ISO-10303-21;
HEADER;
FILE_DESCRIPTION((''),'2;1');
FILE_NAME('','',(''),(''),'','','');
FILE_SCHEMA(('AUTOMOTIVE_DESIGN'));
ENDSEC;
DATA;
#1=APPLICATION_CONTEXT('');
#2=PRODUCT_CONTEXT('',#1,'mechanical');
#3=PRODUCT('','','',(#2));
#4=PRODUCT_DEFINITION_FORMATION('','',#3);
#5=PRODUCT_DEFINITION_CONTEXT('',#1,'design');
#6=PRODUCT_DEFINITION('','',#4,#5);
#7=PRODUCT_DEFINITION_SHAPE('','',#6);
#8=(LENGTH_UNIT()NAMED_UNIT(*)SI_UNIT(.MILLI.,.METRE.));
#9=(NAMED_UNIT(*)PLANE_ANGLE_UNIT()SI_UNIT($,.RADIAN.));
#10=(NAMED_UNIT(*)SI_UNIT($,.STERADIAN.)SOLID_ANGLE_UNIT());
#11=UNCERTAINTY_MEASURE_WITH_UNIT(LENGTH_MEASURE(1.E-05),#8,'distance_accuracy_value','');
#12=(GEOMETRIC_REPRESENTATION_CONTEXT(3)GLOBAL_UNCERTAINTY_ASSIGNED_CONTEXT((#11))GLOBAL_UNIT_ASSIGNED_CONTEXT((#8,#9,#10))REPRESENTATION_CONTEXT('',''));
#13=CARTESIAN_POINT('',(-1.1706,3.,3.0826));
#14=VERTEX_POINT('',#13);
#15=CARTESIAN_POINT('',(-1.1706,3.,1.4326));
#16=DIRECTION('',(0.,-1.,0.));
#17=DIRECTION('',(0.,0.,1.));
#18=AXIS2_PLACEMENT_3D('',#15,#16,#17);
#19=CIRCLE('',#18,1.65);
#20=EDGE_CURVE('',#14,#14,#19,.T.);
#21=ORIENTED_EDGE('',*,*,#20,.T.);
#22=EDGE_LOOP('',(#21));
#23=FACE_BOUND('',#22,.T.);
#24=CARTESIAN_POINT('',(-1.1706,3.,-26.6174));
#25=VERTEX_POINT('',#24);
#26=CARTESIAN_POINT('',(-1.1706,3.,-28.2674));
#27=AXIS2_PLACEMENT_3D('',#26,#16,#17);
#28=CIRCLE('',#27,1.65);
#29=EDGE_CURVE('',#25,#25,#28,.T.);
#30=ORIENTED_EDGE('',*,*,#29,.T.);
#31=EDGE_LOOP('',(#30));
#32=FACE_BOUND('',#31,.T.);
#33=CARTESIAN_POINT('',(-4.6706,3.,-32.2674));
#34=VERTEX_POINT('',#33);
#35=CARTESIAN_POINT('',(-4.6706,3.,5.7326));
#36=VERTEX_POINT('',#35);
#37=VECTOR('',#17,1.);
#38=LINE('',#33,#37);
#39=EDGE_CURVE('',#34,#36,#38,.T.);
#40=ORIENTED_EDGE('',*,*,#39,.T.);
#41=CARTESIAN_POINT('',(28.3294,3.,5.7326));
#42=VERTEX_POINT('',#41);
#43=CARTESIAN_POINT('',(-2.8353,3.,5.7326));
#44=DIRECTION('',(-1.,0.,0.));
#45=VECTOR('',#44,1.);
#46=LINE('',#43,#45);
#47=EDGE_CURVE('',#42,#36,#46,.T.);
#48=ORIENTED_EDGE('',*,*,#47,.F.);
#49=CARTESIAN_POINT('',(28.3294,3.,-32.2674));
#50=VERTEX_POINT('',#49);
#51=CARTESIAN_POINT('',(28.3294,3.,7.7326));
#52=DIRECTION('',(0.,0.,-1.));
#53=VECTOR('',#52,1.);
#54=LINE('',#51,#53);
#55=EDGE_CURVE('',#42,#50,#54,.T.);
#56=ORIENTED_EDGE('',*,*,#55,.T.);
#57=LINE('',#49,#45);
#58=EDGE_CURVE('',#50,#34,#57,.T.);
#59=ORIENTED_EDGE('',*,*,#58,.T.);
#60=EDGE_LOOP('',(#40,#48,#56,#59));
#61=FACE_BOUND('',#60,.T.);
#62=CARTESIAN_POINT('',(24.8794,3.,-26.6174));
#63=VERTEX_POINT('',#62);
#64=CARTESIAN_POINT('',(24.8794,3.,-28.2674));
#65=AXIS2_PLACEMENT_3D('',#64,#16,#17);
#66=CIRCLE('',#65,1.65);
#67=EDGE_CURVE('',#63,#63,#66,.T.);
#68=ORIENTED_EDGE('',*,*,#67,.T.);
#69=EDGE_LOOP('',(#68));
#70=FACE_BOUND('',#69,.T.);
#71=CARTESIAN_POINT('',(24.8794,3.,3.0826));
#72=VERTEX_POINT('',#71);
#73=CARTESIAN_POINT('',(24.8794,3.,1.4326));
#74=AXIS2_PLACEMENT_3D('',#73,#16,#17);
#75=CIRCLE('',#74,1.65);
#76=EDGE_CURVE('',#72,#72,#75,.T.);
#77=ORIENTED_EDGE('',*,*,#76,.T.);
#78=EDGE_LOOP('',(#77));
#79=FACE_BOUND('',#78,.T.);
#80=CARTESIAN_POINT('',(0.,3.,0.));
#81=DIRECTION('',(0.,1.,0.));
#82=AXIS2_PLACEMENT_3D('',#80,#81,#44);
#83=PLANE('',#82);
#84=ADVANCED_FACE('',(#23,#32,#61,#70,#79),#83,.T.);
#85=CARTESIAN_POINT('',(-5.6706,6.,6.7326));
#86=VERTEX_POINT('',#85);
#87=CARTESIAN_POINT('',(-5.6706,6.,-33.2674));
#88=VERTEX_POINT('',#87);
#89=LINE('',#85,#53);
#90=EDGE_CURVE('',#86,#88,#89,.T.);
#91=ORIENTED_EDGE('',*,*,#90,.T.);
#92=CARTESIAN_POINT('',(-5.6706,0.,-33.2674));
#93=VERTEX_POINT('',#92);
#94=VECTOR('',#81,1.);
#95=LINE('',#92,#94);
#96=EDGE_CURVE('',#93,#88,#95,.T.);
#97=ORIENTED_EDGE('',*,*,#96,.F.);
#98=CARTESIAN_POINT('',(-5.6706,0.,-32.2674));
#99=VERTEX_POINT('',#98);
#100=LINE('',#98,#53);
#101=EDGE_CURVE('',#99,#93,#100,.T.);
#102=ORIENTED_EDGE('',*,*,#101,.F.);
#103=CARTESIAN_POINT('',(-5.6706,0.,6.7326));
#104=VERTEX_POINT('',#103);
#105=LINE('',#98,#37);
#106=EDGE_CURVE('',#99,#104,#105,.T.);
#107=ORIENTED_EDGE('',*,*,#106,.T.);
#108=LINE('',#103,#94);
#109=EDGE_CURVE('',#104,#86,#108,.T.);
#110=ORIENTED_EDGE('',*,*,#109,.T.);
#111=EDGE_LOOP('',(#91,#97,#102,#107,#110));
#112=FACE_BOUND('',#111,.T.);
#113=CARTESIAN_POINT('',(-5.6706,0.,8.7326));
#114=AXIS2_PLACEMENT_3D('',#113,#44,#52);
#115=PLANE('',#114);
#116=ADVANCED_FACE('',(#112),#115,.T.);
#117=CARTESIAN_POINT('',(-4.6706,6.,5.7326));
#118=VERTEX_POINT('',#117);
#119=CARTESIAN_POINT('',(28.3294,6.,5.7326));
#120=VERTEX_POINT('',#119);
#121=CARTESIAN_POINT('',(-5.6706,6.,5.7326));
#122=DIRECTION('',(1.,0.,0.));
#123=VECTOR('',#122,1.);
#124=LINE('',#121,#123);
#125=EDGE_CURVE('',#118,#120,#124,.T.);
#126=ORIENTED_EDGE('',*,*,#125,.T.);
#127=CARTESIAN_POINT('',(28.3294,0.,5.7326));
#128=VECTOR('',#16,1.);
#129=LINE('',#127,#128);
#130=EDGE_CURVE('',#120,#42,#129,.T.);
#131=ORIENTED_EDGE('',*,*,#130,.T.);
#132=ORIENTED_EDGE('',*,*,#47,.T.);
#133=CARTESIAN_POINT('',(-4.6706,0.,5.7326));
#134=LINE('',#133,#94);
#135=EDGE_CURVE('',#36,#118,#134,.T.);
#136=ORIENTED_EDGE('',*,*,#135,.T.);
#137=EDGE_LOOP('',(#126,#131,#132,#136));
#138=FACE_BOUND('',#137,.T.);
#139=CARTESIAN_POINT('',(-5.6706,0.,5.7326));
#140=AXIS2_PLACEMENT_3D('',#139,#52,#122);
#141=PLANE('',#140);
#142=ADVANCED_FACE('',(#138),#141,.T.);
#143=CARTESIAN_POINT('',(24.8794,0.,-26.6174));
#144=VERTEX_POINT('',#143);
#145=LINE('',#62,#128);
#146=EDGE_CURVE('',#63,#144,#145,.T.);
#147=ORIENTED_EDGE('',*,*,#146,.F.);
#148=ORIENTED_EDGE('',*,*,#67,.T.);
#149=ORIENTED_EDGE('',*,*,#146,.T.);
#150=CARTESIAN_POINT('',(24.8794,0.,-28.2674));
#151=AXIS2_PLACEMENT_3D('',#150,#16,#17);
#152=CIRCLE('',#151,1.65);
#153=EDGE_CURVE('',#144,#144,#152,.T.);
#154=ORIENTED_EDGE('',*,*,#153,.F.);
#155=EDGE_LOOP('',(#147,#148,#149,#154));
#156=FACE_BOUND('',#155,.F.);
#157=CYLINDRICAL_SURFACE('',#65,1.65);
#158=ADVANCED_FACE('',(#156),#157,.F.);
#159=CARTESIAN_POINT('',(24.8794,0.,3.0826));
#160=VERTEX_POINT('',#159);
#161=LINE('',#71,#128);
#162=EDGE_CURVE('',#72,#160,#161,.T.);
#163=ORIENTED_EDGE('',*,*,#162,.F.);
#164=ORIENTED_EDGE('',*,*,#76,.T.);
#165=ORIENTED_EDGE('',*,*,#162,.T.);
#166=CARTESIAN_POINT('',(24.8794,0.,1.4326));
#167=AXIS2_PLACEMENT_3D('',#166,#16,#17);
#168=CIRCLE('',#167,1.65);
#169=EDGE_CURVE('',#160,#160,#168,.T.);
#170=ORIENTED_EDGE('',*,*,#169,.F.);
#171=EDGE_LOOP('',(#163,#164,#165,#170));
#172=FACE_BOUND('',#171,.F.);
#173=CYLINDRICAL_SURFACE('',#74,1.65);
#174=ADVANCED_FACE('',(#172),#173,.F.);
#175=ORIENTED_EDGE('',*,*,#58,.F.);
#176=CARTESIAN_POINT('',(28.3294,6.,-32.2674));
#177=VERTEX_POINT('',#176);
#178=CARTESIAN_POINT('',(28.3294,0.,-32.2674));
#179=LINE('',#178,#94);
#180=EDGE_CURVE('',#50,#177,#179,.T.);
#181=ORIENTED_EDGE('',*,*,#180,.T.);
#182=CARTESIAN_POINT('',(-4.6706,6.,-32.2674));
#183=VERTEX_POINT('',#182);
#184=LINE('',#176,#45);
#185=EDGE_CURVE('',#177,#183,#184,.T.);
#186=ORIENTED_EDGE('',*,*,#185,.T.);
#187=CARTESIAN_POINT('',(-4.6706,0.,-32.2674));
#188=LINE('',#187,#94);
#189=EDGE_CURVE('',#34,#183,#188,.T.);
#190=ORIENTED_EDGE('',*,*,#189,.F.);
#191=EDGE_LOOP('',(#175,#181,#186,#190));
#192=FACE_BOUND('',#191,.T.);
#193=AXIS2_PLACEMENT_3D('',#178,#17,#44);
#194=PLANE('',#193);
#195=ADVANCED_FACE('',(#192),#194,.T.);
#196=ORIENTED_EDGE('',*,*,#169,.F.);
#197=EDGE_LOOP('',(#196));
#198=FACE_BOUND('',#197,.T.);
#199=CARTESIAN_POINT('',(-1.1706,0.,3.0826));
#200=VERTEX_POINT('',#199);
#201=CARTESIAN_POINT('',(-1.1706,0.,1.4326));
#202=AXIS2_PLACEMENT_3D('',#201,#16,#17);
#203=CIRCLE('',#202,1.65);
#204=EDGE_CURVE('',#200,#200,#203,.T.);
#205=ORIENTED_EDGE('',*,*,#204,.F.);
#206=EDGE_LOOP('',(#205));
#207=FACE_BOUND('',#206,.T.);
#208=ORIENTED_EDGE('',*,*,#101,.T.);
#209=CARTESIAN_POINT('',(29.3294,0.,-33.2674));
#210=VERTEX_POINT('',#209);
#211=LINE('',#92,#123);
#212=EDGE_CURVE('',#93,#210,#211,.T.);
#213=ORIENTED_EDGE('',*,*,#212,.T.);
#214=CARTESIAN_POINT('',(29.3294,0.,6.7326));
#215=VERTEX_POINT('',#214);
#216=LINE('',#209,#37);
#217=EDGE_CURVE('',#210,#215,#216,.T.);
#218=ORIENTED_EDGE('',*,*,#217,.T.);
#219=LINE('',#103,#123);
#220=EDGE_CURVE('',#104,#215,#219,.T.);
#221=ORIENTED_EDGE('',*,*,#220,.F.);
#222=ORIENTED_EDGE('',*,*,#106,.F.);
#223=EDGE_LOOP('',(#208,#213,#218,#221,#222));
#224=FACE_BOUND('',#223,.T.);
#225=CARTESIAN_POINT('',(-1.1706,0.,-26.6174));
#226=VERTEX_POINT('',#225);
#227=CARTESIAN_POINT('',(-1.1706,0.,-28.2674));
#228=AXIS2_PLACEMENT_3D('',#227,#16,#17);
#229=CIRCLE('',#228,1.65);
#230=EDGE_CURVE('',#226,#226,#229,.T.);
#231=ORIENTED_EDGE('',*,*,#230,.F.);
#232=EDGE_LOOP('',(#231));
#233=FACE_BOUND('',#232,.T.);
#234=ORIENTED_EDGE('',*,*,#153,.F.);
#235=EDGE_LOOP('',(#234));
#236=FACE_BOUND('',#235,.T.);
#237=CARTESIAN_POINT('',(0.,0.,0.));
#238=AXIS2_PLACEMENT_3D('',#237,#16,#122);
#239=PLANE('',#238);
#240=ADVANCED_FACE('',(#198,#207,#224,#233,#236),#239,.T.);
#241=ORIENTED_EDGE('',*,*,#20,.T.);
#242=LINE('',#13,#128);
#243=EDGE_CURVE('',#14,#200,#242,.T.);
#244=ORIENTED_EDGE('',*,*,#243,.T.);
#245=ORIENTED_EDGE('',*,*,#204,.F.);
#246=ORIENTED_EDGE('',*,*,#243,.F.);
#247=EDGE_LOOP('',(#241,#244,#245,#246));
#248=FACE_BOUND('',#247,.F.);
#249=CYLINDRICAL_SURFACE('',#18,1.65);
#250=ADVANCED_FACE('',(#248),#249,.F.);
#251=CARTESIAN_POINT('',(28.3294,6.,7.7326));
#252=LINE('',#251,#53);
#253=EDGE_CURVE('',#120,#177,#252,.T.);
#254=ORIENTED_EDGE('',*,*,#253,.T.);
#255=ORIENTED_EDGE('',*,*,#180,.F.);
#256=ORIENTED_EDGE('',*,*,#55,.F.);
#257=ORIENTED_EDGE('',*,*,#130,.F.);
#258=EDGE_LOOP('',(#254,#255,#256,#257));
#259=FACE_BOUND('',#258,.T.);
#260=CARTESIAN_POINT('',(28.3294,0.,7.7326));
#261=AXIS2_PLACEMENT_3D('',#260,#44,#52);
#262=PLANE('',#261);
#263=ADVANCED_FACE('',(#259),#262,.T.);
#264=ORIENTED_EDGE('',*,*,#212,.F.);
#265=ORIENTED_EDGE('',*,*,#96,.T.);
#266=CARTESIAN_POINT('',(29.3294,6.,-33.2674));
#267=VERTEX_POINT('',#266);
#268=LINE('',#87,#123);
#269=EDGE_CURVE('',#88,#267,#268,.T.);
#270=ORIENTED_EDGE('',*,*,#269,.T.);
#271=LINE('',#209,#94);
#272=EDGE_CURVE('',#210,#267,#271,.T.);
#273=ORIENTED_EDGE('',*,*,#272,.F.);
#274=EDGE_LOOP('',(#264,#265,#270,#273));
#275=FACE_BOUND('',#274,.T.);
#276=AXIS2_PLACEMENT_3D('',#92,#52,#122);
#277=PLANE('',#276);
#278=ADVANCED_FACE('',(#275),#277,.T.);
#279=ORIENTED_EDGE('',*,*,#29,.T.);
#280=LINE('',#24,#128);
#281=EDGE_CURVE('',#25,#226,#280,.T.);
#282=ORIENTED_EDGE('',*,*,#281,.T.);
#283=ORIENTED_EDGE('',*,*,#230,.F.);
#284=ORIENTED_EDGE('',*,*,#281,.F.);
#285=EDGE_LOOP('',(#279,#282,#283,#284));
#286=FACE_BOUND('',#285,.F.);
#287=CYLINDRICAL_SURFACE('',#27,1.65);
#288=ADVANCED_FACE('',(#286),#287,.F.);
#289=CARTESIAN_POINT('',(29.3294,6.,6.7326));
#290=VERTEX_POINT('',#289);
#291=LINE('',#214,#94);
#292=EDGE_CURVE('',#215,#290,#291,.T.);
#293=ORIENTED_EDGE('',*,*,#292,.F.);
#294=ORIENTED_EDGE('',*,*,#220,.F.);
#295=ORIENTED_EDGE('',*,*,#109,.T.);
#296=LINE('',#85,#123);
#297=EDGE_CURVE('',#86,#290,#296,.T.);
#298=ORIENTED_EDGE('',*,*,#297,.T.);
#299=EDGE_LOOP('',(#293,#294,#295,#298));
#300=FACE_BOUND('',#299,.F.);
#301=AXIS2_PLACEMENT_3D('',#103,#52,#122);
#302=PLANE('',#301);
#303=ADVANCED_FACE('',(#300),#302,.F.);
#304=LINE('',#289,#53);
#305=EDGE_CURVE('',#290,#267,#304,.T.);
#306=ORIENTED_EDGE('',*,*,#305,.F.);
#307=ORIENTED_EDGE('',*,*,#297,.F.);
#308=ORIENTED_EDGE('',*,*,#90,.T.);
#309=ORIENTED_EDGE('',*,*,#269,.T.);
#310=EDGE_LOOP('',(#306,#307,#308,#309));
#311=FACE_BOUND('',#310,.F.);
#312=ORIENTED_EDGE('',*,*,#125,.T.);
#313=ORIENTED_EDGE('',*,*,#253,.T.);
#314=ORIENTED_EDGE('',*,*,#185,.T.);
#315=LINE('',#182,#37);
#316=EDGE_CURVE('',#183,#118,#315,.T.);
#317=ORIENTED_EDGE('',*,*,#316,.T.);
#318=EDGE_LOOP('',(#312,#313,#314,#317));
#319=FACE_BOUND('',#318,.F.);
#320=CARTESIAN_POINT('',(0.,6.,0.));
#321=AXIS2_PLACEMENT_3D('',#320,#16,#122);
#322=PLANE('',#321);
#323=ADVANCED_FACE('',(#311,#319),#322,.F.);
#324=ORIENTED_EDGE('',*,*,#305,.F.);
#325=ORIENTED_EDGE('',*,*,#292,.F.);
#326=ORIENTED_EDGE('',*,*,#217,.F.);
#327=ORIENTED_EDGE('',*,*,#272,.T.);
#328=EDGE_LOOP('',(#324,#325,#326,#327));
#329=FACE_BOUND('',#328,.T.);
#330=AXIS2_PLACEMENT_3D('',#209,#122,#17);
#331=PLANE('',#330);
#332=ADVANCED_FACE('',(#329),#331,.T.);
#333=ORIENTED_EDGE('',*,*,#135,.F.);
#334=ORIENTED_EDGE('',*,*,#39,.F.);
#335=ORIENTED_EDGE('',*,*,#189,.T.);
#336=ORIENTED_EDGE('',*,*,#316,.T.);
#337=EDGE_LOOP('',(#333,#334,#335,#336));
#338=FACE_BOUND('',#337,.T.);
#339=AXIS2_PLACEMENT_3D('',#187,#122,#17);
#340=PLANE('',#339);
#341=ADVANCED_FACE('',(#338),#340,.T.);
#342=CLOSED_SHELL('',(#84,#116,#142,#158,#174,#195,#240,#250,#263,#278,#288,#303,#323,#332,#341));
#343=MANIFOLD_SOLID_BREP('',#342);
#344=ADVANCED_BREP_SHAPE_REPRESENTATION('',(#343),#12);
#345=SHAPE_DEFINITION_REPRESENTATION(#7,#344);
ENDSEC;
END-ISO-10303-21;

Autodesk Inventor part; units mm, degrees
ref_plane "YZ Plane" through (0, 0, 0) normal (1, 0, 0) x (0, 1, 0)
ref_plane "XZ Plane" through (0, 0, 0) normal (0, 1, 0) x (-1, 0, 0)
ref_plane "XY Plane" through (0, 0, 0) normal (0, 0, 1) x (1, 0, 0)
sketch "Sketch1" plane through (0, 0, 0) normal (0, 1, 0) x (-1, 0, 0)
  line L0 (4.6706, 7.7326) -> (-28.3294, 7.7326)
  line L1 (-28.3294, 7.7326) -> (-28.3294, -32.2674)
  line L2 (-28.3294, -32.2674) -> (4.6706, -32.2674)
  line L3 (4.6706, -32.2674) -> (4.6706, 7.7326)
  point P0 (0, 0)
  dimension "d0" = 33
  dimension "d1" = 40
extrude "Extrusion1" add sketch "Sketch1" along normal blind 3
sketch "Sketch2" plane through (0, 3, 0) normal (0, 1, 0) x (1, 0, 0)
  line L0 (-4.6706, 32.2674) -> (-4.6706, -7.7326) projected
  line L1 (-4.6706, -7.7326) -> (-4.6706, -4.7326)
  line L2 (-4.6706, -4.7326) -> (-2.8206, -4.7326)
  line L3 (-2.8206, -4.7326) -> (-2.8206, 28.2674)
  line L4 (-2.8206, 28.2674) -> (26.4794, 28.2674)
  line L5 (26.4794, 28.2674) -> (26.4794, -4.7326)
  line L6 (-2.8206, -4.7326) -> (-1.1706, -4.7326)
  line L7 (26.4794, -4.7326) -> (24.8794, -4.7326)
  line L8 (24.8794, -4.7326) -> (24.8794, 28.2674)
  line L9 (-2.8206, 28.2674) -> (-1.1706, 28.2674)
  line L10 (-1.1706, -4.7326) -> (-1.1706, -1.4326)
  line L11 (-1.1706, -1.4326) -> (24.8794, -1.4326)
  point P0 (0, 0)
  dimension "d4" = 3
  dimension "d5" = 1.85
  dimension "d6" = 90
  dimension "d7" = 33
  dimension "d8" = 29.3
  dimension "d9" = 1.65
  dimension "d10" = 1.6
  dimension "d11" = 1.65
  dimension "d26" = 3.3
hole "Hole1" at (-1.1706, 3, 1.4326) at (24.8794, 3, 1.4326) at (24.8794, 3, -28.2674) at (-1.1706, 3, -28.2674) direction (0, -1, 0) diameter 3.3 end through all
sketch "Sketch3" plane through (0, 0, 0) normal (0, -1, 0) x (1, 0, 0)
  line L0 (28.3294, -32.2674) -> (-4.6706, -32.2674) projected
  line L1 (-4.6706, -32.2674) -> (-5.6706, -32.2674)
  line L2 (-5.6706, -32.2674) -> (-5.6706, -33.2674)
  line L3 (-5.6706, -33.2674) -> (29.3294, -33.2674)
  line L4 (29.3294, -33.2674) -> (29.3294, 8.7326)
  line L5 (28.3294, 7.7326) -> (28.3294, -32.2674) projected
  line L6 (29.3294, 8.7326) -> (-5.6706, 8.7326)
  line L7 (-5.6706, 8.7326) -> (-5.6706, -32.2674)
  circle A0 centre (24.8794, -28.2674) radius 1.65 projected
  circle A1 centre (-1.1706, -28.2674) radius 1.65 projected
  line L8 (-4.6706, 7.7326) -> (28.3294, 7.7326) projected
  line L9 (-4.6706, -32.2674) -> (-4.6706, 7.7326) projected
  line L10 (28.3294, -32.2674) -> (-4.6706, -32.2674) projected
  line L11 (28.3294, 7.7326) -> (28.3294, -32.2674) projected
  point P0 (0, 0)
  dimension "d19" = 1
  dimension "d20" = 1
  dimension "d21" = 35
  dimension "d22" = 42
  dimension "d23" = 90
extrude "Extrusion2" add sketch "Sketch3" against normal blind 6 contours L7 L6 L4 L3 L2
sketch "Sketch4" plane through (-5.6706, 0, 8.7326) normal (0, 0, 1) x (1, 0, 0)
  point P0 (5.6706, 0)
sketch "Sketch5" plane through (0, 0, 0) normal (0, -1, 0) x (1, 0, 0)
  line L0 (-5.6706, -33.2674) -> (-5.6706, 8.7326) projected
  line L1 (-5.6706, 8.7326) -> (-5.6706, 5.7326)
  line L2 (-5.6706, 5.7326) -> (29.3294, 5.7326)
  line L3 (29.3294, -33.2674) -> (29.3294, 8.7326) projected
  line L4 (29.3294, 8.7326) -> (-5.6706, 8.7326)
  line L5 (-5.6706, 5.7326) -> (-5.6706, 6.7326)
  line L6 (-5.6706, 6.7326) -> (29.3294, 6.7326)
  line L7 (28.3294, 7.7326) -> (-4.6706, 7.7326) projected
  line L8 (29.3294, 6.7326) -> (29.3294, 5.7326)
  point P0 (0, 0)
  dimension "d27" = 3
  dimension "d28" = 1
extrude "Extrusion3" cut sketch "Sketch5" against normal blind 10 contours L0 L4 L3 L6
extrude "Extrusion4" add sketch "Sketch5" against normal blind 6 contours L0 L6 L3 L2
properties part number "testing holes for circuit board"
